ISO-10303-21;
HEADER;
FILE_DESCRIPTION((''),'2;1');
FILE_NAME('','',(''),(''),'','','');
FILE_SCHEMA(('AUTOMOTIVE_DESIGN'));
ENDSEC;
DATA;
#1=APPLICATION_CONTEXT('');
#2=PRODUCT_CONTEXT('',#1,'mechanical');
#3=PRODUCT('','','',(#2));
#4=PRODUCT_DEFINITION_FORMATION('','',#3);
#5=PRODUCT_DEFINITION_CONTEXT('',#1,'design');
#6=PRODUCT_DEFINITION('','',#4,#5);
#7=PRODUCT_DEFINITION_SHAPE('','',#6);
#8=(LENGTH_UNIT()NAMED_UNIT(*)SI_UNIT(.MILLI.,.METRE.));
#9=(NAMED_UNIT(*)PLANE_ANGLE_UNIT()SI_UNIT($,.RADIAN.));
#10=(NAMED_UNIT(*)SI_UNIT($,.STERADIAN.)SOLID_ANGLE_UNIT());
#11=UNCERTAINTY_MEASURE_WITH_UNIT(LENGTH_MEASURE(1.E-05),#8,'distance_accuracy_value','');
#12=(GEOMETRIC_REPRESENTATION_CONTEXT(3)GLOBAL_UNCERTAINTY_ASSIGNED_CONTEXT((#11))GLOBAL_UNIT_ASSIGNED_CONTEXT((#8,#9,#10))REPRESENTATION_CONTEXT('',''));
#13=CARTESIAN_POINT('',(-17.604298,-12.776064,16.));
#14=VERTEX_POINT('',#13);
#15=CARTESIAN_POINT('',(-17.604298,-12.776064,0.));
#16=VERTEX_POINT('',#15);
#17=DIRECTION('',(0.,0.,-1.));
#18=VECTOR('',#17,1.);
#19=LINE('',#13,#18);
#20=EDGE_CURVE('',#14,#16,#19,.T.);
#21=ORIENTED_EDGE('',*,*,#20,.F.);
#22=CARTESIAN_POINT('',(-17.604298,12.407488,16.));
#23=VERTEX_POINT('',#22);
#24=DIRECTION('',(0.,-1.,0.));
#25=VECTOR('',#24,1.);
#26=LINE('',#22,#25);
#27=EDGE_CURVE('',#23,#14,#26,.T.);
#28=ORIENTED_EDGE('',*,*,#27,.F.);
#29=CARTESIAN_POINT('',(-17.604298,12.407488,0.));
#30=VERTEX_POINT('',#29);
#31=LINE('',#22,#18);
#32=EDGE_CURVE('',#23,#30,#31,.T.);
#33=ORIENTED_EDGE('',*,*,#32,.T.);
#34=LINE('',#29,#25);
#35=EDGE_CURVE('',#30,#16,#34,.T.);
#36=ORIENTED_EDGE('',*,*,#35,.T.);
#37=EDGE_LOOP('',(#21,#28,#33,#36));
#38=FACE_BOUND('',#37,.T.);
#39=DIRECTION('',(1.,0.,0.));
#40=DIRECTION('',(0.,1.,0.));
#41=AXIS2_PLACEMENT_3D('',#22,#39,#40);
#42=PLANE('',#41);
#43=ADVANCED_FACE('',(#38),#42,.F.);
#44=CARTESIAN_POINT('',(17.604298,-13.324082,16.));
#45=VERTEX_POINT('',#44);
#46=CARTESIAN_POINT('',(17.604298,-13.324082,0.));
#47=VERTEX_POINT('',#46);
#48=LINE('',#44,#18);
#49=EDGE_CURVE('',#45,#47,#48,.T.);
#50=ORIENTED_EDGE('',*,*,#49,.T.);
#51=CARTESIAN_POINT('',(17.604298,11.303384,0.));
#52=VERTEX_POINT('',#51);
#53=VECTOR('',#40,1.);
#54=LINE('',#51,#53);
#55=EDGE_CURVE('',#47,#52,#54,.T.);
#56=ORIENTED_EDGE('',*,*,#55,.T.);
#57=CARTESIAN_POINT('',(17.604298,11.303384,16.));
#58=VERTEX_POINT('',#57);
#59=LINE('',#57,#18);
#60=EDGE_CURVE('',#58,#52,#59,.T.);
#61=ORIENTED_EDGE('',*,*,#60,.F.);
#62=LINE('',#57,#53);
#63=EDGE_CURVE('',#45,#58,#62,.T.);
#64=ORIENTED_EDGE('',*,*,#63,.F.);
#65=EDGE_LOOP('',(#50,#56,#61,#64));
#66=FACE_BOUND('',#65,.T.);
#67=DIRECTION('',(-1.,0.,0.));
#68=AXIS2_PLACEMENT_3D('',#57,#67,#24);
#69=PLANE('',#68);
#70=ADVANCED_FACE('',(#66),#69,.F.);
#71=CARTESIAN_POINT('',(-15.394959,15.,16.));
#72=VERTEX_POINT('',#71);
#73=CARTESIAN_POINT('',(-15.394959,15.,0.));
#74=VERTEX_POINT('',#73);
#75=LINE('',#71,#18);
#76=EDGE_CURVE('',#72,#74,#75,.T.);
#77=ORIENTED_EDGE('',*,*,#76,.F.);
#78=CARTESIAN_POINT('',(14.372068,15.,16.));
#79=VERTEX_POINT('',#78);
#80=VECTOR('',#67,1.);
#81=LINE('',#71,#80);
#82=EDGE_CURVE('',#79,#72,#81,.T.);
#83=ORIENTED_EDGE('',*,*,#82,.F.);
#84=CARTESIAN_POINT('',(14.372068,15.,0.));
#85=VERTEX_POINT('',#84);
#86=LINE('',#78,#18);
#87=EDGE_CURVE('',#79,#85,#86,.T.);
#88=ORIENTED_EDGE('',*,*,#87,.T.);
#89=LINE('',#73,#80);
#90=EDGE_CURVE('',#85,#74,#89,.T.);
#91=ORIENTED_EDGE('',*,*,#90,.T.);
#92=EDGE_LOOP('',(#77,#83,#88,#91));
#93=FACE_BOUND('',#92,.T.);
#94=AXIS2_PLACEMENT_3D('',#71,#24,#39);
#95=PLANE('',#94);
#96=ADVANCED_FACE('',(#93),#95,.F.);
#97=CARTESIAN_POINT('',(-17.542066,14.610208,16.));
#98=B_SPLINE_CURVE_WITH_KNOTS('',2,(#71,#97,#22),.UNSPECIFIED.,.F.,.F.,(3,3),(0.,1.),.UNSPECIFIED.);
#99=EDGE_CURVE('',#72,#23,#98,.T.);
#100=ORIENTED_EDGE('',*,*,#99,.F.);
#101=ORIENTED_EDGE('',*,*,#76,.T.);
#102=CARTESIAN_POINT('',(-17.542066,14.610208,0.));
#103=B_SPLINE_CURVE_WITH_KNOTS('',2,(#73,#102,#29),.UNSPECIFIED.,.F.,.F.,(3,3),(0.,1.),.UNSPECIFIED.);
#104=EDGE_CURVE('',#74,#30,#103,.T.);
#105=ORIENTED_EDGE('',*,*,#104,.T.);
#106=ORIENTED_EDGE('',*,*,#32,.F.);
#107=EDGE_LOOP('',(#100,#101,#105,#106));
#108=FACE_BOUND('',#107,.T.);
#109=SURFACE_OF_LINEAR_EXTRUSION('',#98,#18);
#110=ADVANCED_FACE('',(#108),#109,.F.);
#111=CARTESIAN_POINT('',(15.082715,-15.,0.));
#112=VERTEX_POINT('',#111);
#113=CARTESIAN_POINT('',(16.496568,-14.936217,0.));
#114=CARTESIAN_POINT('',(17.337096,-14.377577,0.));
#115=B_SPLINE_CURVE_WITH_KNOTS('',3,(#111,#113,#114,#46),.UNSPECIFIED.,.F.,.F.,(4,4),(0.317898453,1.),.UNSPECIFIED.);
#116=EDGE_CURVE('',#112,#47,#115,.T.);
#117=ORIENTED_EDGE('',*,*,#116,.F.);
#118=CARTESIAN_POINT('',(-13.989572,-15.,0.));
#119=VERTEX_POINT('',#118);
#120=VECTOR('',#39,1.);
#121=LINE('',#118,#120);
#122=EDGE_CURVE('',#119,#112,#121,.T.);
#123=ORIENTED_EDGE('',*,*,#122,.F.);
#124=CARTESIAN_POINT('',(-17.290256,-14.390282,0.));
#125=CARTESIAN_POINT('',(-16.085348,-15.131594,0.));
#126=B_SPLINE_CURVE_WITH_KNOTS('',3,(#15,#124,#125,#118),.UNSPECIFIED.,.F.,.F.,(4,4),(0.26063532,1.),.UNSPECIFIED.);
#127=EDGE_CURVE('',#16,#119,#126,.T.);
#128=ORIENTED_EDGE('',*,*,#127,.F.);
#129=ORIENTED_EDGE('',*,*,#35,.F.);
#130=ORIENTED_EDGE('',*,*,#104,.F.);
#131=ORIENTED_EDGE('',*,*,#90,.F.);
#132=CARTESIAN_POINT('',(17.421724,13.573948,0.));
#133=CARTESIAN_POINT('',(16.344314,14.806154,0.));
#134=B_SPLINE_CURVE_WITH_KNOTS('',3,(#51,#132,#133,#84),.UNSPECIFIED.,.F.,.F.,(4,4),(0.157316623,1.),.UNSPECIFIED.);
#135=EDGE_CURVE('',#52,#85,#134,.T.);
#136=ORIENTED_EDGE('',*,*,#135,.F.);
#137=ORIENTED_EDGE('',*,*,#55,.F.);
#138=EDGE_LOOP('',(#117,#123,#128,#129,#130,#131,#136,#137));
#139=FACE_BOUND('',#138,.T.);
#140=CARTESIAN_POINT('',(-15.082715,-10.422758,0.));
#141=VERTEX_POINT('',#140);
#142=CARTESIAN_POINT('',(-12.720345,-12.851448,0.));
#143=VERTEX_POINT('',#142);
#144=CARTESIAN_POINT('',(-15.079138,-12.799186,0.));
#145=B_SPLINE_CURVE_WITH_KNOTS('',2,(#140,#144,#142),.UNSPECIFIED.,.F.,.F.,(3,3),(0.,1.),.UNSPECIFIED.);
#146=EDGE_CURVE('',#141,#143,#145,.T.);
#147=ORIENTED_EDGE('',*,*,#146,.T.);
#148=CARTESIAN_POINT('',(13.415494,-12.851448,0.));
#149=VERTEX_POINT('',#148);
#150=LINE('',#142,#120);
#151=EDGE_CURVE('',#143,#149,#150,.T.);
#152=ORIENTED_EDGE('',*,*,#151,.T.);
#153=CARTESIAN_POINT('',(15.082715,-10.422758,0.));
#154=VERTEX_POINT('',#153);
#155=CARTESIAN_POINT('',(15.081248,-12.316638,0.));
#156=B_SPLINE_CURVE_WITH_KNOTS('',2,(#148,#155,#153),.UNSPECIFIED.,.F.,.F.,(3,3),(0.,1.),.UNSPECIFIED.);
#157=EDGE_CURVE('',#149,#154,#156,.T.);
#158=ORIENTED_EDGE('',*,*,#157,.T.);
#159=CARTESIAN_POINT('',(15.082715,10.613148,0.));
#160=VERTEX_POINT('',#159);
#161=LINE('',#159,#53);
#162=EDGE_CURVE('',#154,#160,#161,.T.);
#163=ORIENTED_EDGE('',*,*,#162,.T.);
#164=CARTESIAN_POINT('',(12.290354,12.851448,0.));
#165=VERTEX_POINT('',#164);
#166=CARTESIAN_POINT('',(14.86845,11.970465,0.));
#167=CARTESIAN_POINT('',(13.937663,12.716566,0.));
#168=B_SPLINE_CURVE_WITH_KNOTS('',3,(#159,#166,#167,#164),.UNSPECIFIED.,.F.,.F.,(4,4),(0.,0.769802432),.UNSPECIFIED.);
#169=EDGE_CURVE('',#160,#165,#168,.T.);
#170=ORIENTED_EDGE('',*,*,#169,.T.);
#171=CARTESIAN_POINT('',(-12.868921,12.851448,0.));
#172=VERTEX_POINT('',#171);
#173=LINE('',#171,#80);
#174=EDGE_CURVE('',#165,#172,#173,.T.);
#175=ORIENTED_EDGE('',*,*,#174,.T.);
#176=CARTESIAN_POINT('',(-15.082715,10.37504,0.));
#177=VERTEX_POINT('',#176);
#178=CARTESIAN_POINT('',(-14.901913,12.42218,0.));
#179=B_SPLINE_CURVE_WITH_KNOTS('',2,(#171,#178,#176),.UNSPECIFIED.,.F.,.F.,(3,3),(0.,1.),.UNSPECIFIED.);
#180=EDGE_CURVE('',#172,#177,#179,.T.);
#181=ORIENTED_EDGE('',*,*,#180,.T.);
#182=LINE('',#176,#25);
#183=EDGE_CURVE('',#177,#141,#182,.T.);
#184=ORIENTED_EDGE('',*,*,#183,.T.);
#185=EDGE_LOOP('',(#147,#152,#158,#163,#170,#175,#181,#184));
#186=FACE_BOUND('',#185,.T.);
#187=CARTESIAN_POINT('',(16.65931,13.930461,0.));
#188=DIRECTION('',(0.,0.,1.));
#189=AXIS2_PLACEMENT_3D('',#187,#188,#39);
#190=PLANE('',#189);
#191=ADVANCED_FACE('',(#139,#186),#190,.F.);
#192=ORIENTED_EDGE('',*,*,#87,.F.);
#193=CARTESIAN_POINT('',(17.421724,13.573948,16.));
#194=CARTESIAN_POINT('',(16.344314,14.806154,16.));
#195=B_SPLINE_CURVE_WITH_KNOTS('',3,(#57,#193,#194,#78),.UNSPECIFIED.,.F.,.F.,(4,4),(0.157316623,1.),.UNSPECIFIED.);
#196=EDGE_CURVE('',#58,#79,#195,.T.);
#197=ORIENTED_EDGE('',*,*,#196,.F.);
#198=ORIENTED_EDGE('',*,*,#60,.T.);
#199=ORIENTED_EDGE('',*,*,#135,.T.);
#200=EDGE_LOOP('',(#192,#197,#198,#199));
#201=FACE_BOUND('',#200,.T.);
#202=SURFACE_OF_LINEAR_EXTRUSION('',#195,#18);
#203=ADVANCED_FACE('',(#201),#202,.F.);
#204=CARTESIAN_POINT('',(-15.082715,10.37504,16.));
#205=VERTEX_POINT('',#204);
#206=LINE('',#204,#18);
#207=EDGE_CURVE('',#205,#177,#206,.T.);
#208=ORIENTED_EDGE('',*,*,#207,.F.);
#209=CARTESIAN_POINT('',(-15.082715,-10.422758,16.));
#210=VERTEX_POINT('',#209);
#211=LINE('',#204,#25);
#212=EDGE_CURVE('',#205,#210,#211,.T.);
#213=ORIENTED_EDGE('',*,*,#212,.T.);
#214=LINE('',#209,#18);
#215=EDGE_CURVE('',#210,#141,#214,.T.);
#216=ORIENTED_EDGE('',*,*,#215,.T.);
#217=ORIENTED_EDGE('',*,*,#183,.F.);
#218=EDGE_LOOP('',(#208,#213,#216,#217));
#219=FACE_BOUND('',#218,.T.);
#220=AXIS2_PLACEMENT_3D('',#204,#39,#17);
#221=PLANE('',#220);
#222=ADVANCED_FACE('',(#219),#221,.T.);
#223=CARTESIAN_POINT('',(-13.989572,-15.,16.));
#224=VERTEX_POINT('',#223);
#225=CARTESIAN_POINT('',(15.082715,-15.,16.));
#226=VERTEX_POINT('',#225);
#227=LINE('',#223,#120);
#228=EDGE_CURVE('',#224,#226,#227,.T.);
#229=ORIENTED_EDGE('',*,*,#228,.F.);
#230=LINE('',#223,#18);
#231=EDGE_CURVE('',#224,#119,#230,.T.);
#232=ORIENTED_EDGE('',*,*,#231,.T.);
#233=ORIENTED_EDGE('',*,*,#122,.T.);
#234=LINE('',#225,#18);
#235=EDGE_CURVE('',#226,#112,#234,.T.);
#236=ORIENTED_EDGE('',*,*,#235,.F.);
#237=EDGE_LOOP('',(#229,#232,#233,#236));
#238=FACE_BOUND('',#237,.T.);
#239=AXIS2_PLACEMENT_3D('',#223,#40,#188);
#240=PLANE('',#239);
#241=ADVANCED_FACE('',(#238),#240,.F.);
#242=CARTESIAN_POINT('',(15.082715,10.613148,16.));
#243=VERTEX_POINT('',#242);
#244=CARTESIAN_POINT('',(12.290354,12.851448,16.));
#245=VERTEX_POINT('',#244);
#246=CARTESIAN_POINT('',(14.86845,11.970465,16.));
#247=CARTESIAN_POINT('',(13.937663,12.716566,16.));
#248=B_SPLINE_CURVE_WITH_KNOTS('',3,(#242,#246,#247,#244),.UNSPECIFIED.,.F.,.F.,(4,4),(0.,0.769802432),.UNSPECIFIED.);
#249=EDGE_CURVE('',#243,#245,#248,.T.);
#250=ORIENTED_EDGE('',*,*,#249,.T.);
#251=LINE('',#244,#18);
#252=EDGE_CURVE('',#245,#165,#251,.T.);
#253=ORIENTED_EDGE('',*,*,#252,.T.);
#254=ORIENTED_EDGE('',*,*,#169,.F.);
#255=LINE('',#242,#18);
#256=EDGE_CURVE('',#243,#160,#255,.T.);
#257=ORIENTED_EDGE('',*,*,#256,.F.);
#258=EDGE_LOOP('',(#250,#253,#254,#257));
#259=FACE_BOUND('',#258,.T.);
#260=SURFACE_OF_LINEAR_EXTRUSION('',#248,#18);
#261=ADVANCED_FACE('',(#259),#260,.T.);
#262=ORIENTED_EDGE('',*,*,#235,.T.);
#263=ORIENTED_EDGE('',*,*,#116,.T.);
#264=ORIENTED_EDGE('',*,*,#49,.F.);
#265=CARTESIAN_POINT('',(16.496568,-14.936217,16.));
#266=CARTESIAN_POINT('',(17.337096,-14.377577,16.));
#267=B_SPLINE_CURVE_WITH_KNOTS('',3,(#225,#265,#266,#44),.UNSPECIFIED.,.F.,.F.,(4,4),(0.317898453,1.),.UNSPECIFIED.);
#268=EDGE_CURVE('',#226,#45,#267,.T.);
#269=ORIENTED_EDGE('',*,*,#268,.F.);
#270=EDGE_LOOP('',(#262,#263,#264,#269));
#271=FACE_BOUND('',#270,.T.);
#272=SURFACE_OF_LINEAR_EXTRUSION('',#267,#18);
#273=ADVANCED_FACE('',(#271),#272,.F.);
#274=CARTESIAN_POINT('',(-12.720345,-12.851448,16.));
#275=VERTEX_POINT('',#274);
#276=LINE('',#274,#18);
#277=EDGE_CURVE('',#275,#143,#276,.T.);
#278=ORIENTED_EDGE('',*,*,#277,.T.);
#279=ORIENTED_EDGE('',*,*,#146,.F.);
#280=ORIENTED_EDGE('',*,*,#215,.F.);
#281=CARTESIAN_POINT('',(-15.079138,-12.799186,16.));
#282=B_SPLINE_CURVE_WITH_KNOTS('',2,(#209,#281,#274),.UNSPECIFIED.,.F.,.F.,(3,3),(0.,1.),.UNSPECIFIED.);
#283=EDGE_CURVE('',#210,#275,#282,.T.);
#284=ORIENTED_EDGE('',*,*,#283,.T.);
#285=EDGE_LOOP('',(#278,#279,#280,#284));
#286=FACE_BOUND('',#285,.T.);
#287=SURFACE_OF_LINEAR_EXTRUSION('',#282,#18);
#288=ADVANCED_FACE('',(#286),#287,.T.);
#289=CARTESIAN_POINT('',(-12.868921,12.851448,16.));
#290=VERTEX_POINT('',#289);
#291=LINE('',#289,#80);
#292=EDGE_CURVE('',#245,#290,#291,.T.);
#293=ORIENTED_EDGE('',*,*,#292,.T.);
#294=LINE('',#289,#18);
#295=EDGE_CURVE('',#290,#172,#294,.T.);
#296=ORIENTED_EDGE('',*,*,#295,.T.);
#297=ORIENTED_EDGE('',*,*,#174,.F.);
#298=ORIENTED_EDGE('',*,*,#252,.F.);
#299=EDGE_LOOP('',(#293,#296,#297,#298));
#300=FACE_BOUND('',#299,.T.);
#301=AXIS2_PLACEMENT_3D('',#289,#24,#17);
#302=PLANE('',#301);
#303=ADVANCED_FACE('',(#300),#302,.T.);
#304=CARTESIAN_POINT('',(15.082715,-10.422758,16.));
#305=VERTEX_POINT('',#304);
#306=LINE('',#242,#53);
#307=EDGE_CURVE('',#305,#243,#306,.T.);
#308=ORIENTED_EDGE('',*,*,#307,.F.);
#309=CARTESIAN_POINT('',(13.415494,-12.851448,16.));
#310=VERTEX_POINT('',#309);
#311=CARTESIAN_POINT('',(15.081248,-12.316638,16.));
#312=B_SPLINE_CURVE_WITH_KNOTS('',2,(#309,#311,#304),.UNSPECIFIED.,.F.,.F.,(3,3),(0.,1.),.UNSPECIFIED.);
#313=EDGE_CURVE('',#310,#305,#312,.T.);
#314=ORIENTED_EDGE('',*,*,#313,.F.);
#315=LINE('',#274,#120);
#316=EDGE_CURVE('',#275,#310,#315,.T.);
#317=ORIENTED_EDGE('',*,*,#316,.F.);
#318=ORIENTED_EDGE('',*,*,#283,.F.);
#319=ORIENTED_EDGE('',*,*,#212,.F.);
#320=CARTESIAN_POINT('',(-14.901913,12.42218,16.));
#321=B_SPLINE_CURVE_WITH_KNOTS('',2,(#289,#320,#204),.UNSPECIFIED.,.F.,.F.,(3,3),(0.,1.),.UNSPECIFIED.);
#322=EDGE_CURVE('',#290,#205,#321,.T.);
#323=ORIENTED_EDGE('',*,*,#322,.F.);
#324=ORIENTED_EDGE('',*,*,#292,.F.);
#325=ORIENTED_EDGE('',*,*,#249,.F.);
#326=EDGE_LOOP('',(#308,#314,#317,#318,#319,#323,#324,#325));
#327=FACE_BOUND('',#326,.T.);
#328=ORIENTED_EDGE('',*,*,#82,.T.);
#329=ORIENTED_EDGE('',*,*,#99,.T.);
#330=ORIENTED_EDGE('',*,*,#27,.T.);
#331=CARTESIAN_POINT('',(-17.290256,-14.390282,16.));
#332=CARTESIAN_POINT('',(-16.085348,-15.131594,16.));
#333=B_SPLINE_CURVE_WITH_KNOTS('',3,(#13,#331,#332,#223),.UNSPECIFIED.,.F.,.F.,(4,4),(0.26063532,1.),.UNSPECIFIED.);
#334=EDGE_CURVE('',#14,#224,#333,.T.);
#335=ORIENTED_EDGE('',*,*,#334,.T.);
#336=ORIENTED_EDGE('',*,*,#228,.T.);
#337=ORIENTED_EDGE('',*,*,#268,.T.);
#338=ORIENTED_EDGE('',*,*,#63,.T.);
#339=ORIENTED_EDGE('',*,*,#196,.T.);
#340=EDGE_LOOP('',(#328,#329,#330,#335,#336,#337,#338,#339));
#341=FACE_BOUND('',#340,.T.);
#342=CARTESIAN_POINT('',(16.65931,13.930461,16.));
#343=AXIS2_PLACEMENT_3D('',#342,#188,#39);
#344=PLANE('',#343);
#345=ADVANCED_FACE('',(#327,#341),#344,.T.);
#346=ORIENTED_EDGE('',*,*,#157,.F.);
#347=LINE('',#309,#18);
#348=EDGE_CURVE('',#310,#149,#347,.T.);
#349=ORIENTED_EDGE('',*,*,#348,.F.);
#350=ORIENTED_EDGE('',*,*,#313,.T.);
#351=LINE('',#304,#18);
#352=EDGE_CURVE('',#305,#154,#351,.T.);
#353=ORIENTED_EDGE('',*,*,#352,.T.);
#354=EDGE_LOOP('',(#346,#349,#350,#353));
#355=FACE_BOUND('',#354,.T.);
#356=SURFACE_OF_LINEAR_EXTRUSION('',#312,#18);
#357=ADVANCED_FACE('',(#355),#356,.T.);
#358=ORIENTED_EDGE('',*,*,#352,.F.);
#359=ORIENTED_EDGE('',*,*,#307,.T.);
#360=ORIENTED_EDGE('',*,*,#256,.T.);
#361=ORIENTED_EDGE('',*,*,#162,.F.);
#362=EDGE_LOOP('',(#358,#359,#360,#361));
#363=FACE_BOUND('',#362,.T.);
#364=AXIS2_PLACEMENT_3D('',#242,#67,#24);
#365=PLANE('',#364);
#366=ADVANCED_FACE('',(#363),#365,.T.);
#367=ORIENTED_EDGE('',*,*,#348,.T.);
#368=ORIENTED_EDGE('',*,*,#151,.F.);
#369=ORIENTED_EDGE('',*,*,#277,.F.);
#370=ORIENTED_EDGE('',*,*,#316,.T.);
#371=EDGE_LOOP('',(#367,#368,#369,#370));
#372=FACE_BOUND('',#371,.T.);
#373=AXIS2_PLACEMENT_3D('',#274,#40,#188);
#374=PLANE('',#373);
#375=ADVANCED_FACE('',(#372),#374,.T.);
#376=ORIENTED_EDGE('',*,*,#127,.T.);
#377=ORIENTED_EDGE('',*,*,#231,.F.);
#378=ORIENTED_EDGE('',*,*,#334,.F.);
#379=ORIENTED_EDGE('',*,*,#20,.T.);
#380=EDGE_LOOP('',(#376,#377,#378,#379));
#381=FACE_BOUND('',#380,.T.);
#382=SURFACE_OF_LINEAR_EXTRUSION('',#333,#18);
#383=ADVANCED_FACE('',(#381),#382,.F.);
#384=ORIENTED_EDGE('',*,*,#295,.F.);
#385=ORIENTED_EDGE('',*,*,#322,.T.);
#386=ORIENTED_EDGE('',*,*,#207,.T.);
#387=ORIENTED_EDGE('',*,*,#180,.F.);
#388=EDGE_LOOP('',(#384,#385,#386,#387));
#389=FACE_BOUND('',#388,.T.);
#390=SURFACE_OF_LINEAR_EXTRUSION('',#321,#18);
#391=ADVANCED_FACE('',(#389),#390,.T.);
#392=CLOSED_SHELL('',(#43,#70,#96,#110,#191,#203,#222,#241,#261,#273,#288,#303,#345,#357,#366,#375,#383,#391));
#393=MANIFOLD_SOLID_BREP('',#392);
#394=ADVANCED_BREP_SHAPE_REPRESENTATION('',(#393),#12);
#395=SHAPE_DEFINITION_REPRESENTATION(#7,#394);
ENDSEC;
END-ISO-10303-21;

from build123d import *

# Parameters (mm, degrees)
BOSS_EXTRUDE4_DEPTH = 16


with BuildPart() as part:
    # Sketch3 → Boss-Extrude4 (new body)
    with BuildSketch(Plane.XY):
        with BuildLine():
            Line((-15.394959284, 15), (14.37206817, 15))
            add(Edge.make_bspline(
                [(14.37206817, 15), (16.344314338, 14.806153618), (17.421724303, 13.573948287), (17.604298066, 11.303384007)],
                knots=[0.157316623, 0.157316623, 0.157316623, 0.157316623, 1, 1, 1, 1], degree=3))
            Line((17.604298066, 11.303384007), (17.604298066, -13.324081778))
            add(Edge.make_bspline(
                [(17.604298066, -13.324081778), (17.337095636, -14.377577199), (16.496568016, -14.936216606), (15.082715206, -15)],
                knots=[0.317898453, 0.317898453, 0.317898453, 0.317898453, 1, 1, 1, 1], degree=3))
            Line((15.082715206, -15), (-13.989571853, -15))
            add(Edge.make_bspline(
                [(-17.604298066, -12.776063834), (-17.290256291, -14.390282227), (-16.085347553, -15.131594282), (-13.989571853, -15)],
                knots=[0.26063532, 0.26063532, 0.26063532, 0.26063532, 1, 1, 1, 1], degree=3))
            Line((-17.604298066, -12.776063834), (-17.604298066, 12.407487922))
            add(Edge.make_bspline(
                [(-17.604298066, 12.407487922), (-17.542065798, 14.610208227), (-15.394959284, 15)],
                knots=[0, 0, 0, 1, 1, 1], degree=2))
        make_face()
        with BuildLine():
            Line((-12.868921273, 12.851448393), (12.290353953, 12.851448393))
            add(Edge.make_bspline(
                [(12.290353953, 12.851448393), (13.937663202, 12.716565565), (14.868450289, 11.970465373), (15.082715212, 10.613147816)],
                knots=[0, 0, 0, 0, 0.769802432, 0.769802432, 0.769802432, 0.769802432], degree=3))
            Line((15.082715212, 10.613147816), (15.082715212, -10.422758289))
            add(Edge.make_bspline(
                [(15.082715212, -10.422758289), (15.08124759, -12.316637726), (13.415493999, -12.851448393)],
                knots=[0, 0, 0, 1, 1, 1], degree=2))
            Line((13.415493999, -12.851448393), (-12.720345322, -12.851448393))
            add(Edge.make_bspline(
                [(-15.082715206, -10.422758289), (-15.079137607, -12.799186037), (-12.720345322, -12.851448393)],
                knots=[0, 0, 0, 1, 1, 1], degree=2))
            Line((-15.082715206, -10.422758289), (-15.082715206, 10.375039522))
            add(Edge.make_bspline(
                [(-15.082715206, 10.375039522), (-14.901913362, 12.422179601), (-12.868921273, 12.851448393)],
                knots=[0, 0, 0, 1, 1, 1], degree=2))
        make_face(mode=Mode.SUBTRACT)
    extrude(amount=BOSS_EXTRUDE4_DEPTH)


solid = part.part
